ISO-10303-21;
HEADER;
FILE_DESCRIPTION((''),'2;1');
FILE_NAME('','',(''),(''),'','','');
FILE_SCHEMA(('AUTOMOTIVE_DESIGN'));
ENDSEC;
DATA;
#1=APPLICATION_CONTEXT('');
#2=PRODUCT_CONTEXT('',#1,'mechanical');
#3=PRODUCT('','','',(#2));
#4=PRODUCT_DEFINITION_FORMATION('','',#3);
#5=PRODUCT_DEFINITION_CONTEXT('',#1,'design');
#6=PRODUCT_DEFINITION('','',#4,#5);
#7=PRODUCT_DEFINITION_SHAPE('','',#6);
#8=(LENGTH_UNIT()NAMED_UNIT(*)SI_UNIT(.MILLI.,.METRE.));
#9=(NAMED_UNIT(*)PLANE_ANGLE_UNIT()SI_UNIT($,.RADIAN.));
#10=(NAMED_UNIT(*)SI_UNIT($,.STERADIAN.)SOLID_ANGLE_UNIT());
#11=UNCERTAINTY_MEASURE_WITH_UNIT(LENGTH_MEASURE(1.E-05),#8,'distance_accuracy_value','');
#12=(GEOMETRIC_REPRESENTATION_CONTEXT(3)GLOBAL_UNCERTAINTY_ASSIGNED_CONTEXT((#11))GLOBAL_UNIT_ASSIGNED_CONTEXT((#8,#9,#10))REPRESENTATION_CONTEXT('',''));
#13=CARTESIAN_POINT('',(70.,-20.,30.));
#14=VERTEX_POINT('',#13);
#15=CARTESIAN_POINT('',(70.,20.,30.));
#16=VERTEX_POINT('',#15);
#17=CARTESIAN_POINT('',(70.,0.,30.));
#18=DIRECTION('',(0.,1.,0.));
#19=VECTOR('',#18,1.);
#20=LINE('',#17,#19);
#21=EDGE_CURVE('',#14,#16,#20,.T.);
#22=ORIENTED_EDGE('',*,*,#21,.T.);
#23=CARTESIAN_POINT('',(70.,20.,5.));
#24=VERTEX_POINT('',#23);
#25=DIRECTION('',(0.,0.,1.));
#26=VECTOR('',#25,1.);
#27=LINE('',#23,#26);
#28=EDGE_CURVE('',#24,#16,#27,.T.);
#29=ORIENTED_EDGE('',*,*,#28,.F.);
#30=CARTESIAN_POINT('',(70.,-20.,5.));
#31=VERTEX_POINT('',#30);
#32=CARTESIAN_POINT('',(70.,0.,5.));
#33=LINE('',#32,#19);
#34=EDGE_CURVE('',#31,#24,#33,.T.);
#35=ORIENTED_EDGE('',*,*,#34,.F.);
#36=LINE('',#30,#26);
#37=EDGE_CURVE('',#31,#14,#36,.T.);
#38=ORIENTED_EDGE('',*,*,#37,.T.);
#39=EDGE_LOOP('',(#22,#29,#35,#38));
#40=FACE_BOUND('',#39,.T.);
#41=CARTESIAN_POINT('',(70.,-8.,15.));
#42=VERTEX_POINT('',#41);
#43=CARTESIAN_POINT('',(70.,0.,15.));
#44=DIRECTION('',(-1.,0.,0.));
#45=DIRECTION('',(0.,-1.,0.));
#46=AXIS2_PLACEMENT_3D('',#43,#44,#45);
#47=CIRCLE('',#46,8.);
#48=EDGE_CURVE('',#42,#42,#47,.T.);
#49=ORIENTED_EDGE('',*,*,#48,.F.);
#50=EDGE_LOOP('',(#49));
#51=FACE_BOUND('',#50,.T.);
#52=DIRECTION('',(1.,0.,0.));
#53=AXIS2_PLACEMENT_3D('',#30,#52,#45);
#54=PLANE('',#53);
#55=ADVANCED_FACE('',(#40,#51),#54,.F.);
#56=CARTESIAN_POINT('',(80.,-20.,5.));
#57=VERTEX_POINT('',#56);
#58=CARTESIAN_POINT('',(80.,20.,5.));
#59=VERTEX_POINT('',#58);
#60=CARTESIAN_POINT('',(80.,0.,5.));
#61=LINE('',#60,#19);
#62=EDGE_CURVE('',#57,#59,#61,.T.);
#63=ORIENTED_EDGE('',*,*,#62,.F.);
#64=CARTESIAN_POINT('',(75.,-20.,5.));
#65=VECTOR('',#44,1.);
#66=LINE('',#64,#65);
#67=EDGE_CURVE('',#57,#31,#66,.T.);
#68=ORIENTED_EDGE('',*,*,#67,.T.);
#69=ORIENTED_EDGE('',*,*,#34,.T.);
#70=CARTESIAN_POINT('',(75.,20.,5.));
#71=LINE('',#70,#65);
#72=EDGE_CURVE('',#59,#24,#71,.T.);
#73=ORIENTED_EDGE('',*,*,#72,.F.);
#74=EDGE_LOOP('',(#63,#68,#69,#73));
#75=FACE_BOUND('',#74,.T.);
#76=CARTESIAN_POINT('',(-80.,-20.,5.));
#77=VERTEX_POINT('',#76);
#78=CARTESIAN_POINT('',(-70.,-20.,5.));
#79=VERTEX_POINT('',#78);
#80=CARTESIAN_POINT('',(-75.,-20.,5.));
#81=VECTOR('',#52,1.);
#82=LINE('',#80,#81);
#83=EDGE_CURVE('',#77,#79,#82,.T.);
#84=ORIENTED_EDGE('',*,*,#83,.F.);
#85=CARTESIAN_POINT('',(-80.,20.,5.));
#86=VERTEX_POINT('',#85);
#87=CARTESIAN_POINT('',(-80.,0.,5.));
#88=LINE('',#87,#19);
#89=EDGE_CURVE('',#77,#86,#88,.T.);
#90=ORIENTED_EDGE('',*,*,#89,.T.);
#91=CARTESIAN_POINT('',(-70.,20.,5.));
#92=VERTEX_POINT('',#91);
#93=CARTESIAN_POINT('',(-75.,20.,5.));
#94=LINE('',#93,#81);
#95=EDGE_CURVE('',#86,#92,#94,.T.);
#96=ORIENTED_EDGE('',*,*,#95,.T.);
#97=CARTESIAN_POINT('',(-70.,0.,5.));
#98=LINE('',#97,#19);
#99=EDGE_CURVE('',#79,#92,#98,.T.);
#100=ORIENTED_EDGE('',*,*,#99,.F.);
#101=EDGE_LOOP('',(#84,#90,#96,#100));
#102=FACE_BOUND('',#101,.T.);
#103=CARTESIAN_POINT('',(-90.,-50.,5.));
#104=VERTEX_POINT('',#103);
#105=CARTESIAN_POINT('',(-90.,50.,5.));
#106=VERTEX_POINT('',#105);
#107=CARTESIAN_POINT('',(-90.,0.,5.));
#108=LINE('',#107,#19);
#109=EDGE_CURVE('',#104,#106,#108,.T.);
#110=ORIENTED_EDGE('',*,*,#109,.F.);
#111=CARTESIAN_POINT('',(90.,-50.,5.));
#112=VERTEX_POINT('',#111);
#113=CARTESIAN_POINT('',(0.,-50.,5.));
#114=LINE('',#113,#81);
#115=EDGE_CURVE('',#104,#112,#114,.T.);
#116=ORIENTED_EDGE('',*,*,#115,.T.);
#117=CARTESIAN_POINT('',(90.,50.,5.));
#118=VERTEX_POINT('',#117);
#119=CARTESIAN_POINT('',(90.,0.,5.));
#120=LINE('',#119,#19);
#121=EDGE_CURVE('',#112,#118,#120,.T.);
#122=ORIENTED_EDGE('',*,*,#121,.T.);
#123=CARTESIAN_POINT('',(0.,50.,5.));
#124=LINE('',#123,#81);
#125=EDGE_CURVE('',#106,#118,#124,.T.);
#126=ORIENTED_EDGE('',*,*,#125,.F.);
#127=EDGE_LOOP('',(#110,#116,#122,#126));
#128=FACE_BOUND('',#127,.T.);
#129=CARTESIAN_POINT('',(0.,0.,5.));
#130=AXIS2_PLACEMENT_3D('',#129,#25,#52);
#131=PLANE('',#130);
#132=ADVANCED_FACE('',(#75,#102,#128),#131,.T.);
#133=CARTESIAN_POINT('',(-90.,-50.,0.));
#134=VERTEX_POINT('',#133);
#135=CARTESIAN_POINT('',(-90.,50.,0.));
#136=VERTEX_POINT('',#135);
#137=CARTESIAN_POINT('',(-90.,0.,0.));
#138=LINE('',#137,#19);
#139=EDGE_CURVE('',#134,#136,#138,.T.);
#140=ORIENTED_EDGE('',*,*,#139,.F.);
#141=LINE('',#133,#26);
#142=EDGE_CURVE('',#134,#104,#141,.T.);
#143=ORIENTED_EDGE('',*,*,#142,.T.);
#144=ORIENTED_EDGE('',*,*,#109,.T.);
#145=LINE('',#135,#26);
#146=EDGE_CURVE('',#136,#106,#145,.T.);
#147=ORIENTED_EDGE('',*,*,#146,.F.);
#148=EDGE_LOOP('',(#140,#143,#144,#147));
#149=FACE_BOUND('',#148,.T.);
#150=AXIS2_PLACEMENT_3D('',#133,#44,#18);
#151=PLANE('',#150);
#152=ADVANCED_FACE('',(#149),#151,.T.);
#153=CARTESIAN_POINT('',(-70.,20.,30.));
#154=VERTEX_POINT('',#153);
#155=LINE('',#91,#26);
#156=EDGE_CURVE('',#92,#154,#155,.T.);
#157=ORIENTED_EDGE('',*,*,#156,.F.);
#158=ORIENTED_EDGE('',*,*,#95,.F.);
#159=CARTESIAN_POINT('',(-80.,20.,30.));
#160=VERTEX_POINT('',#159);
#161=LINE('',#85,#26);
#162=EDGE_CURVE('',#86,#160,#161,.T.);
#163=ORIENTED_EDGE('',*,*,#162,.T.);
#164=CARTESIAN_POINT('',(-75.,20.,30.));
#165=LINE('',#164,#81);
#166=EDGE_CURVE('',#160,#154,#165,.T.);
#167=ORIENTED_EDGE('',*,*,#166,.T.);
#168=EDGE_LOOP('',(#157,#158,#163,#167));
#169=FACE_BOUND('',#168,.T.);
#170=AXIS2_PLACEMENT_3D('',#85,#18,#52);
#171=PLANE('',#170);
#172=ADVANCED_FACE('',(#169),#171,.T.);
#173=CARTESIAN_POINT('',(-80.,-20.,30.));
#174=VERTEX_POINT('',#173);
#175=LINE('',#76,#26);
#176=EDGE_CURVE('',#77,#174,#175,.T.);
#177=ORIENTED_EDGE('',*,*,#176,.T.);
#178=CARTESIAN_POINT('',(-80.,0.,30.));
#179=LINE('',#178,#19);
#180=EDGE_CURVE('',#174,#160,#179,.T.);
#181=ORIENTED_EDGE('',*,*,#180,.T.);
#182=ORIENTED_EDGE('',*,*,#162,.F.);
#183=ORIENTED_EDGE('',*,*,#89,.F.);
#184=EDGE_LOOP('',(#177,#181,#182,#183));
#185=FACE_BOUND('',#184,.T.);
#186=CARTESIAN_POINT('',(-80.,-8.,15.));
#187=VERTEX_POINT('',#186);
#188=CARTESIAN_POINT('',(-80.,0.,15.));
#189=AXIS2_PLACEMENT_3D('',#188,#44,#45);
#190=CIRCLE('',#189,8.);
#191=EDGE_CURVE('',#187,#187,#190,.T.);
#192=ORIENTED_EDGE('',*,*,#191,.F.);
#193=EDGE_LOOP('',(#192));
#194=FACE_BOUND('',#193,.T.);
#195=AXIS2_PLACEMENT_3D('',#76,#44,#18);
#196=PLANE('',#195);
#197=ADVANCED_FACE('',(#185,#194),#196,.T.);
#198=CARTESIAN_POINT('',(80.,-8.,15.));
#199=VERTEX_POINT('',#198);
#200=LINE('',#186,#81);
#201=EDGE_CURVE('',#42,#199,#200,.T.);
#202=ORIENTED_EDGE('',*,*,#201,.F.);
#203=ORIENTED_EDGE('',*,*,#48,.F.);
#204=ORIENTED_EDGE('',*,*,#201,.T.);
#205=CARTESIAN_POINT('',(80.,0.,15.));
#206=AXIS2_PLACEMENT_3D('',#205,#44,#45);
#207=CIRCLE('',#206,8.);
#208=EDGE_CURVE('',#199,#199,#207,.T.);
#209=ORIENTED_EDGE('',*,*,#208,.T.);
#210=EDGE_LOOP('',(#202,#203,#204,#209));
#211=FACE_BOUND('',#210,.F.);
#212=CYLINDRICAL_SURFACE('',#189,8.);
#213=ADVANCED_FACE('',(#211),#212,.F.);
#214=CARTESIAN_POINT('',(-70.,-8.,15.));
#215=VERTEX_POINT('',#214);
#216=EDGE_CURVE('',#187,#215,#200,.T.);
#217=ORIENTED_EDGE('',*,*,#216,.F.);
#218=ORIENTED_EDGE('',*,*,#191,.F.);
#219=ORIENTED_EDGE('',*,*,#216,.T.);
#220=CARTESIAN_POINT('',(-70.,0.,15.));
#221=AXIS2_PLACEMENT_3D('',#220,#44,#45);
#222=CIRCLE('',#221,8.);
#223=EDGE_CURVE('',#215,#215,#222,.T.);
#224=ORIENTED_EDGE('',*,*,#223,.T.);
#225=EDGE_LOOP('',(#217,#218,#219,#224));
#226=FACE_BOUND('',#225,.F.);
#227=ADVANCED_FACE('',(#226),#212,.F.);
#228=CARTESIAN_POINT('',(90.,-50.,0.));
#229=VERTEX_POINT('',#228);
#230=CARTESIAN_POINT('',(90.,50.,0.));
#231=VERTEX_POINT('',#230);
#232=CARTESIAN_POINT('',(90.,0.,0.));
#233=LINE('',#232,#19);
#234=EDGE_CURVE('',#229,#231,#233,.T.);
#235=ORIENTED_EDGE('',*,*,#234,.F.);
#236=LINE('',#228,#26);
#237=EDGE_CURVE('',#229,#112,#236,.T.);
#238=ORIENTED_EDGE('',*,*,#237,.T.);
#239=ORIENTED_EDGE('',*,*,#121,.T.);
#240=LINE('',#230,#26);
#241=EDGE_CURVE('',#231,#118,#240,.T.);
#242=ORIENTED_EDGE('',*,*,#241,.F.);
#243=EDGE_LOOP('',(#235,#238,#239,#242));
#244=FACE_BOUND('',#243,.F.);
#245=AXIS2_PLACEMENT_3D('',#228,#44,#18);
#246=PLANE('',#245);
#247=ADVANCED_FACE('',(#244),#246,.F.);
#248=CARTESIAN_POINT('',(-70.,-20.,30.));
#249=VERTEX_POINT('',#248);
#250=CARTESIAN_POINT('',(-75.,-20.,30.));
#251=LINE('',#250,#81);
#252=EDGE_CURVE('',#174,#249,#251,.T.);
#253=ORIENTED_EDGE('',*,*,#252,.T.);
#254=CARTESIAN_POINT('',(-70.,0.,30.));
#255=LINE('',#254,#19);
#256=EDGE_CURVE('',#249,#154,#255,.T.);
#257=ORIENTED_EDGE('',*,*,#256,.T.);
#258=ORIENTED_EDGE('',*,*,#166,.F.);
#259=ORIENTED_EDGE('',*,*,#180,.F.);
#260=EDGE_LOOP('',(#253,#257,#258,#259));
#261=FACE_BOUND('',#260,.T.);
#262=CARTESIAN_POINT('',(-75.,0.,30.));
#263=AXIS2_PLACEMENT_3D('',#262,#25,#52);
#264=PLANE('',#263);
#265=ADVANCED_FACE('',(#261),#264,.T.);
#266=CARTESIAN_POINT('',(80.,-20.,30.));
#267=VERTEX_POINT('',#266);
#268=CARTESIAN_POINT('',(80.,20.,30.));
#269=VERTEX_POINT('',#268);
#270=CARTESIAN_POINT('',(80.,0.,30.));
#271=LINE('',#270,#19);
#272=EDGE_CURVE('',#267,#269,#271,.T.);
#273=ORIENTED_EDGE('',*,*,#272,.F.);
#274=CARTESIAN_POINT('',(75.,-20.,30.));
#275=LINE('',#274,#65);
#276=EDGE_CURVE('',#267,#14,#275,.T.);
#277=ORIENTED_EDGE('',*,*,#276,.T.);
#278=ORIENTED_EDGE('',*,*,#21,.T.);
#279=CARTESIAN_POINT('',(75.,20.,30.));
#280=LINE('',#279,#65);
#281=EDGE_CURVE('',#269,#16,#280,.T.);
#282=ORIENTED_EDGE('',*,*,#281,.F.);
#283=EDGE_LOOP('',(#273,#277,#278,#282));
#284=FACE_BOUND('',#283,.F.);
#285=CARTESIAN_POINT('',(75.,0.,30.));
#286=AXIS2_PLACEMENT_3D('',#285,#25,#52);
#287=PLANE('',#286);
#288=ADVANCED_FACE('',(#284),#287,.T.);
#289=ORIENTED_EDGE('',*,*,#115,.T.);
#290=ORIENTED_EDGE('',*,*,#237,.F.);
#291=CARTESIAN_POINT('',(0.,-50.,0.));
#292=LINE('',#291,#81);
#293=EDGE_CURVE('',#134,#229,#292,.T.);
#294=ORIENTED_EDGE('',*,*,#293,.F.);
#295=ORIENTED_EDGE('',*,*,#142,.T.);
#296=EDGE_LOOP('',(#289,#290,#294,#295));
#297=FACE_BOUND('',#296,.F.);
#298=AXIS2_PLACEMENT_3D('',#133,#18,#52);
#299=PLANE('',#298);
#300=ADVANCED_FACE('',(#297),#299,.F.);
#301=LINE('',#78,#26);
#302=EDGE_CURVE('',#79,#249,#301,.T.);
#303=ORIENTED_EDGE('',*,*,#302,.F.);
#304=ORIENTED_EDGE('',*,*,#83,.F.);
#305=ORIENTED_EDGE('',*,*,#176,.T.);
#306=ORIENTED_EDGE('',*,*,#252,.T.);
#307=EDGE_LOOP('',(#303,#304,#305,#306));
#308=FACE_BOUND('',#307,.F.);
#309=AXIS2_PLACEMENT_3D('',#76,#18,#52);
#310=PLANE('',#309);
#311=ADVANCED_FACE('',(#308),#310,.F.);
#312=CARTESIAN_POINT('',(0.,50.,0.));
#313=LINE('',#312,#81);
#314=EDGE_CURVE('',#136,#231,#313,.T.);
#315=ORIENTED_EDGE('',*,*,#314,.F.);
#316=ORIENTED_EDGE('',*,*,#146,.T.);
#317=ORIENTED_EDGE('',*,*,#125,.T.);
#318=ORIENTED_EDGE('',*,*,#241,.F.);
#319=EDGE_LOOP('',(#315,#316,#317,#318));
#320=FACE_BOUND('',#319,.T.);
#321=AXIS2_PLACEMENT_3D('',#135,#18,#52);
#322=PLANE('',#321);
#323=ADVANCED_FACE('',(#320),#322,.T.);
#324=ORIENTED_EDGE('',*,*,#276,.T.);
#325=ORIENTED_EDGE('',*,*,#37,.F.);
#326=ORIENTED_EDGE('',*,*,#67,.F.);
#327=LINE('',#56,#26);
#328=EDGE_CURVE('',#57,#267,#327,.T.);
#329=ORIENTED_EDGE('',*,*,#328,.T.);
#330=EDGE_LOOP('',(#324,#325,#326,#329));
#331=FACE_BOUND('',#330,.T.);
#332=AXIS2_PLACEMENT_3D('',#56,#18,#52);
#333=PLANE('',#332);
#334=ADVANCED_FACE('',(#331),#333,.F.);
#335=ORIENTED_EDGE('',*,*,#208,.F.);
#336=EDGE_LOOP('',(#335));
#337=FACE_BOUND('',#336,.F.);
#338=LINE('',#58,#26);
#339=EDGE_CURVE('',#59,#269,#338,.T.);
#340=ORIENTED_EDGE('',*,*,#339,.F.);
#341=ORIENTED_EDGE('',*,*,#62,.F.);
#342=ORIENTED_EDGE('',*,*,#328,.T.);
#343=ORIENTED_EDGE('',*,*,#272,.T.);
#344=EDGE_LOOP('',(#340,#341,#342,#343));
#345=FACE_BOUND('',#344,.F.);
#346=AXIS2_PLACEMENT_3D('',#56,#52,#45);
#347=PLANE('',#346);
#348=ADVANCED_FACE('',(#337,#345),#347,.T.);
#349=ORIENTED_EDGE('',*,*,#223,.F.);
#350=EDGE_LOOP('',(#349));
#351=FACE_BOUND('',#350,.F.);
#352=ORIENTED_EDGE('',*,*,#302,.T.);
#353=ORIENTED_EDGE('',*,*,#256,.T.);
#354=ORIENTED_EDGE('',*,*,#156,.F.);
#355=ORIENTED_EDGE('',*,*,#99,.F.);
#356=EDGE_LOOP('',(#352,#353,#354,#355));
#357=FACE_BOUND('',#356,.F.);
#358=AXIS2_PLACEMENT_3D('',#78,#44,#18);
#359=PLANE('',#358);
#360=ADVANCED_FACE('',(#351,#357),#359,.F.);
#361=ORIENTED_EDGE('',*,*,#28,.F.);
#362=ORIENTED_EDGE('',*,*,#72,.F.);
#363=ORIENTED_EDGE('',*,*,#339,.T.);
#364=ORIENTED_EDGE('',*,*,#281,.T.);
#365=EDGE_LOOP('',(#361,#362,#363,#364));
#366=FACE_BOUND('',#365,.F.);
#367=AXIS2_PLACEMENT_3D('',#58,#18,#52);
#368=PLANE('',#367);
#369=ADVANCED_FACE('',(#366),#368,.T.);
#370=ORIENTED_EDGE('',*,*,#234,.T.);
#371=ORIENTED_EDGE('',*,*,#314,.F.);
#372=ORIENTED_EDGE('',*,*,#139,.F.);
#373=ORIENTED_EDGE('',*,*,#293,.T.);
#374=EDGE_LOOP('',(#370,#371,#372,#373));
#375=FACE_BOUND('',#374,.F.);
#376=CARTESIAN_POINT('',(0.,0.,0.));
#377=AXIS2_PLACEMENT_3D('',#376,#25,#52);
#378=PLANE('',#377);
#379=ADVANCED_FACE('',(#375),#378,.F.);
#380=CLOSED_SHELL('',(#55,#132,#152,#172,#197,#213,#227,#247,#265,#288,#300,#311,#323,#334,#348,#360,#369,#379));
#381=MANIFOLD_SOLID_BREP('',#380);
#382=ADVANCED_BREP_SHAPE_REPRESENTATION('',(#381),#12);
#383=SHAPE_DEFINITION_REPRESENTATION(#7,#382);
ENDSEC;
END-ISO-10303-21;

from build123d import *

# Parameters (mm, degrees)
SKETCH_W     = 180
SKETCH_H     = 100
PAD_DEPTH    = 5
SKETCH001_W  = 10
SKETCH001_H  = 40
PAD001_DEPTH = 25
SKETCH002_R  = 8
POCKET_DEPTH = 170.001


with BuildPart() as part:
    # Sketch → Pad (new body)
    with BuildSketch(Plane.XY):
        Rectangle(SKETCH_W, SKETCH_H)
    extrude(amount=PAD_DEPTH)

    # Sketch001 → Pad001 (new body)
    with BuildSketch(Plane.XY.offset(5)):
        with Locations((-75, 0)):
            Rectangle(SKETCH001_W, SKETCH001_H)
    pad001 = extrude(amount=PAD001_DEPTH)

    # Mirrored: Pad001 across Sketch001 V_Axis
    add(pad001.mirror(Plane(origin=(0, 0, 5), x_dir=(0, 0, 1), z_dir=(1, 0, 0))))

    # Sketch002 → Pocket (cut, through all)
    with BuildSketch(Plane(origin=(-80, 0, 0), x_dir=(0, -1, 0), z_dir=(-1, 0, 0))):
        with Locations((0, 15)):
            Circle(SKETCH002_R)
    extrude(amount=-POCKET_DEPTH, mode=Mode.SUBTRACT)


solid = part.part
